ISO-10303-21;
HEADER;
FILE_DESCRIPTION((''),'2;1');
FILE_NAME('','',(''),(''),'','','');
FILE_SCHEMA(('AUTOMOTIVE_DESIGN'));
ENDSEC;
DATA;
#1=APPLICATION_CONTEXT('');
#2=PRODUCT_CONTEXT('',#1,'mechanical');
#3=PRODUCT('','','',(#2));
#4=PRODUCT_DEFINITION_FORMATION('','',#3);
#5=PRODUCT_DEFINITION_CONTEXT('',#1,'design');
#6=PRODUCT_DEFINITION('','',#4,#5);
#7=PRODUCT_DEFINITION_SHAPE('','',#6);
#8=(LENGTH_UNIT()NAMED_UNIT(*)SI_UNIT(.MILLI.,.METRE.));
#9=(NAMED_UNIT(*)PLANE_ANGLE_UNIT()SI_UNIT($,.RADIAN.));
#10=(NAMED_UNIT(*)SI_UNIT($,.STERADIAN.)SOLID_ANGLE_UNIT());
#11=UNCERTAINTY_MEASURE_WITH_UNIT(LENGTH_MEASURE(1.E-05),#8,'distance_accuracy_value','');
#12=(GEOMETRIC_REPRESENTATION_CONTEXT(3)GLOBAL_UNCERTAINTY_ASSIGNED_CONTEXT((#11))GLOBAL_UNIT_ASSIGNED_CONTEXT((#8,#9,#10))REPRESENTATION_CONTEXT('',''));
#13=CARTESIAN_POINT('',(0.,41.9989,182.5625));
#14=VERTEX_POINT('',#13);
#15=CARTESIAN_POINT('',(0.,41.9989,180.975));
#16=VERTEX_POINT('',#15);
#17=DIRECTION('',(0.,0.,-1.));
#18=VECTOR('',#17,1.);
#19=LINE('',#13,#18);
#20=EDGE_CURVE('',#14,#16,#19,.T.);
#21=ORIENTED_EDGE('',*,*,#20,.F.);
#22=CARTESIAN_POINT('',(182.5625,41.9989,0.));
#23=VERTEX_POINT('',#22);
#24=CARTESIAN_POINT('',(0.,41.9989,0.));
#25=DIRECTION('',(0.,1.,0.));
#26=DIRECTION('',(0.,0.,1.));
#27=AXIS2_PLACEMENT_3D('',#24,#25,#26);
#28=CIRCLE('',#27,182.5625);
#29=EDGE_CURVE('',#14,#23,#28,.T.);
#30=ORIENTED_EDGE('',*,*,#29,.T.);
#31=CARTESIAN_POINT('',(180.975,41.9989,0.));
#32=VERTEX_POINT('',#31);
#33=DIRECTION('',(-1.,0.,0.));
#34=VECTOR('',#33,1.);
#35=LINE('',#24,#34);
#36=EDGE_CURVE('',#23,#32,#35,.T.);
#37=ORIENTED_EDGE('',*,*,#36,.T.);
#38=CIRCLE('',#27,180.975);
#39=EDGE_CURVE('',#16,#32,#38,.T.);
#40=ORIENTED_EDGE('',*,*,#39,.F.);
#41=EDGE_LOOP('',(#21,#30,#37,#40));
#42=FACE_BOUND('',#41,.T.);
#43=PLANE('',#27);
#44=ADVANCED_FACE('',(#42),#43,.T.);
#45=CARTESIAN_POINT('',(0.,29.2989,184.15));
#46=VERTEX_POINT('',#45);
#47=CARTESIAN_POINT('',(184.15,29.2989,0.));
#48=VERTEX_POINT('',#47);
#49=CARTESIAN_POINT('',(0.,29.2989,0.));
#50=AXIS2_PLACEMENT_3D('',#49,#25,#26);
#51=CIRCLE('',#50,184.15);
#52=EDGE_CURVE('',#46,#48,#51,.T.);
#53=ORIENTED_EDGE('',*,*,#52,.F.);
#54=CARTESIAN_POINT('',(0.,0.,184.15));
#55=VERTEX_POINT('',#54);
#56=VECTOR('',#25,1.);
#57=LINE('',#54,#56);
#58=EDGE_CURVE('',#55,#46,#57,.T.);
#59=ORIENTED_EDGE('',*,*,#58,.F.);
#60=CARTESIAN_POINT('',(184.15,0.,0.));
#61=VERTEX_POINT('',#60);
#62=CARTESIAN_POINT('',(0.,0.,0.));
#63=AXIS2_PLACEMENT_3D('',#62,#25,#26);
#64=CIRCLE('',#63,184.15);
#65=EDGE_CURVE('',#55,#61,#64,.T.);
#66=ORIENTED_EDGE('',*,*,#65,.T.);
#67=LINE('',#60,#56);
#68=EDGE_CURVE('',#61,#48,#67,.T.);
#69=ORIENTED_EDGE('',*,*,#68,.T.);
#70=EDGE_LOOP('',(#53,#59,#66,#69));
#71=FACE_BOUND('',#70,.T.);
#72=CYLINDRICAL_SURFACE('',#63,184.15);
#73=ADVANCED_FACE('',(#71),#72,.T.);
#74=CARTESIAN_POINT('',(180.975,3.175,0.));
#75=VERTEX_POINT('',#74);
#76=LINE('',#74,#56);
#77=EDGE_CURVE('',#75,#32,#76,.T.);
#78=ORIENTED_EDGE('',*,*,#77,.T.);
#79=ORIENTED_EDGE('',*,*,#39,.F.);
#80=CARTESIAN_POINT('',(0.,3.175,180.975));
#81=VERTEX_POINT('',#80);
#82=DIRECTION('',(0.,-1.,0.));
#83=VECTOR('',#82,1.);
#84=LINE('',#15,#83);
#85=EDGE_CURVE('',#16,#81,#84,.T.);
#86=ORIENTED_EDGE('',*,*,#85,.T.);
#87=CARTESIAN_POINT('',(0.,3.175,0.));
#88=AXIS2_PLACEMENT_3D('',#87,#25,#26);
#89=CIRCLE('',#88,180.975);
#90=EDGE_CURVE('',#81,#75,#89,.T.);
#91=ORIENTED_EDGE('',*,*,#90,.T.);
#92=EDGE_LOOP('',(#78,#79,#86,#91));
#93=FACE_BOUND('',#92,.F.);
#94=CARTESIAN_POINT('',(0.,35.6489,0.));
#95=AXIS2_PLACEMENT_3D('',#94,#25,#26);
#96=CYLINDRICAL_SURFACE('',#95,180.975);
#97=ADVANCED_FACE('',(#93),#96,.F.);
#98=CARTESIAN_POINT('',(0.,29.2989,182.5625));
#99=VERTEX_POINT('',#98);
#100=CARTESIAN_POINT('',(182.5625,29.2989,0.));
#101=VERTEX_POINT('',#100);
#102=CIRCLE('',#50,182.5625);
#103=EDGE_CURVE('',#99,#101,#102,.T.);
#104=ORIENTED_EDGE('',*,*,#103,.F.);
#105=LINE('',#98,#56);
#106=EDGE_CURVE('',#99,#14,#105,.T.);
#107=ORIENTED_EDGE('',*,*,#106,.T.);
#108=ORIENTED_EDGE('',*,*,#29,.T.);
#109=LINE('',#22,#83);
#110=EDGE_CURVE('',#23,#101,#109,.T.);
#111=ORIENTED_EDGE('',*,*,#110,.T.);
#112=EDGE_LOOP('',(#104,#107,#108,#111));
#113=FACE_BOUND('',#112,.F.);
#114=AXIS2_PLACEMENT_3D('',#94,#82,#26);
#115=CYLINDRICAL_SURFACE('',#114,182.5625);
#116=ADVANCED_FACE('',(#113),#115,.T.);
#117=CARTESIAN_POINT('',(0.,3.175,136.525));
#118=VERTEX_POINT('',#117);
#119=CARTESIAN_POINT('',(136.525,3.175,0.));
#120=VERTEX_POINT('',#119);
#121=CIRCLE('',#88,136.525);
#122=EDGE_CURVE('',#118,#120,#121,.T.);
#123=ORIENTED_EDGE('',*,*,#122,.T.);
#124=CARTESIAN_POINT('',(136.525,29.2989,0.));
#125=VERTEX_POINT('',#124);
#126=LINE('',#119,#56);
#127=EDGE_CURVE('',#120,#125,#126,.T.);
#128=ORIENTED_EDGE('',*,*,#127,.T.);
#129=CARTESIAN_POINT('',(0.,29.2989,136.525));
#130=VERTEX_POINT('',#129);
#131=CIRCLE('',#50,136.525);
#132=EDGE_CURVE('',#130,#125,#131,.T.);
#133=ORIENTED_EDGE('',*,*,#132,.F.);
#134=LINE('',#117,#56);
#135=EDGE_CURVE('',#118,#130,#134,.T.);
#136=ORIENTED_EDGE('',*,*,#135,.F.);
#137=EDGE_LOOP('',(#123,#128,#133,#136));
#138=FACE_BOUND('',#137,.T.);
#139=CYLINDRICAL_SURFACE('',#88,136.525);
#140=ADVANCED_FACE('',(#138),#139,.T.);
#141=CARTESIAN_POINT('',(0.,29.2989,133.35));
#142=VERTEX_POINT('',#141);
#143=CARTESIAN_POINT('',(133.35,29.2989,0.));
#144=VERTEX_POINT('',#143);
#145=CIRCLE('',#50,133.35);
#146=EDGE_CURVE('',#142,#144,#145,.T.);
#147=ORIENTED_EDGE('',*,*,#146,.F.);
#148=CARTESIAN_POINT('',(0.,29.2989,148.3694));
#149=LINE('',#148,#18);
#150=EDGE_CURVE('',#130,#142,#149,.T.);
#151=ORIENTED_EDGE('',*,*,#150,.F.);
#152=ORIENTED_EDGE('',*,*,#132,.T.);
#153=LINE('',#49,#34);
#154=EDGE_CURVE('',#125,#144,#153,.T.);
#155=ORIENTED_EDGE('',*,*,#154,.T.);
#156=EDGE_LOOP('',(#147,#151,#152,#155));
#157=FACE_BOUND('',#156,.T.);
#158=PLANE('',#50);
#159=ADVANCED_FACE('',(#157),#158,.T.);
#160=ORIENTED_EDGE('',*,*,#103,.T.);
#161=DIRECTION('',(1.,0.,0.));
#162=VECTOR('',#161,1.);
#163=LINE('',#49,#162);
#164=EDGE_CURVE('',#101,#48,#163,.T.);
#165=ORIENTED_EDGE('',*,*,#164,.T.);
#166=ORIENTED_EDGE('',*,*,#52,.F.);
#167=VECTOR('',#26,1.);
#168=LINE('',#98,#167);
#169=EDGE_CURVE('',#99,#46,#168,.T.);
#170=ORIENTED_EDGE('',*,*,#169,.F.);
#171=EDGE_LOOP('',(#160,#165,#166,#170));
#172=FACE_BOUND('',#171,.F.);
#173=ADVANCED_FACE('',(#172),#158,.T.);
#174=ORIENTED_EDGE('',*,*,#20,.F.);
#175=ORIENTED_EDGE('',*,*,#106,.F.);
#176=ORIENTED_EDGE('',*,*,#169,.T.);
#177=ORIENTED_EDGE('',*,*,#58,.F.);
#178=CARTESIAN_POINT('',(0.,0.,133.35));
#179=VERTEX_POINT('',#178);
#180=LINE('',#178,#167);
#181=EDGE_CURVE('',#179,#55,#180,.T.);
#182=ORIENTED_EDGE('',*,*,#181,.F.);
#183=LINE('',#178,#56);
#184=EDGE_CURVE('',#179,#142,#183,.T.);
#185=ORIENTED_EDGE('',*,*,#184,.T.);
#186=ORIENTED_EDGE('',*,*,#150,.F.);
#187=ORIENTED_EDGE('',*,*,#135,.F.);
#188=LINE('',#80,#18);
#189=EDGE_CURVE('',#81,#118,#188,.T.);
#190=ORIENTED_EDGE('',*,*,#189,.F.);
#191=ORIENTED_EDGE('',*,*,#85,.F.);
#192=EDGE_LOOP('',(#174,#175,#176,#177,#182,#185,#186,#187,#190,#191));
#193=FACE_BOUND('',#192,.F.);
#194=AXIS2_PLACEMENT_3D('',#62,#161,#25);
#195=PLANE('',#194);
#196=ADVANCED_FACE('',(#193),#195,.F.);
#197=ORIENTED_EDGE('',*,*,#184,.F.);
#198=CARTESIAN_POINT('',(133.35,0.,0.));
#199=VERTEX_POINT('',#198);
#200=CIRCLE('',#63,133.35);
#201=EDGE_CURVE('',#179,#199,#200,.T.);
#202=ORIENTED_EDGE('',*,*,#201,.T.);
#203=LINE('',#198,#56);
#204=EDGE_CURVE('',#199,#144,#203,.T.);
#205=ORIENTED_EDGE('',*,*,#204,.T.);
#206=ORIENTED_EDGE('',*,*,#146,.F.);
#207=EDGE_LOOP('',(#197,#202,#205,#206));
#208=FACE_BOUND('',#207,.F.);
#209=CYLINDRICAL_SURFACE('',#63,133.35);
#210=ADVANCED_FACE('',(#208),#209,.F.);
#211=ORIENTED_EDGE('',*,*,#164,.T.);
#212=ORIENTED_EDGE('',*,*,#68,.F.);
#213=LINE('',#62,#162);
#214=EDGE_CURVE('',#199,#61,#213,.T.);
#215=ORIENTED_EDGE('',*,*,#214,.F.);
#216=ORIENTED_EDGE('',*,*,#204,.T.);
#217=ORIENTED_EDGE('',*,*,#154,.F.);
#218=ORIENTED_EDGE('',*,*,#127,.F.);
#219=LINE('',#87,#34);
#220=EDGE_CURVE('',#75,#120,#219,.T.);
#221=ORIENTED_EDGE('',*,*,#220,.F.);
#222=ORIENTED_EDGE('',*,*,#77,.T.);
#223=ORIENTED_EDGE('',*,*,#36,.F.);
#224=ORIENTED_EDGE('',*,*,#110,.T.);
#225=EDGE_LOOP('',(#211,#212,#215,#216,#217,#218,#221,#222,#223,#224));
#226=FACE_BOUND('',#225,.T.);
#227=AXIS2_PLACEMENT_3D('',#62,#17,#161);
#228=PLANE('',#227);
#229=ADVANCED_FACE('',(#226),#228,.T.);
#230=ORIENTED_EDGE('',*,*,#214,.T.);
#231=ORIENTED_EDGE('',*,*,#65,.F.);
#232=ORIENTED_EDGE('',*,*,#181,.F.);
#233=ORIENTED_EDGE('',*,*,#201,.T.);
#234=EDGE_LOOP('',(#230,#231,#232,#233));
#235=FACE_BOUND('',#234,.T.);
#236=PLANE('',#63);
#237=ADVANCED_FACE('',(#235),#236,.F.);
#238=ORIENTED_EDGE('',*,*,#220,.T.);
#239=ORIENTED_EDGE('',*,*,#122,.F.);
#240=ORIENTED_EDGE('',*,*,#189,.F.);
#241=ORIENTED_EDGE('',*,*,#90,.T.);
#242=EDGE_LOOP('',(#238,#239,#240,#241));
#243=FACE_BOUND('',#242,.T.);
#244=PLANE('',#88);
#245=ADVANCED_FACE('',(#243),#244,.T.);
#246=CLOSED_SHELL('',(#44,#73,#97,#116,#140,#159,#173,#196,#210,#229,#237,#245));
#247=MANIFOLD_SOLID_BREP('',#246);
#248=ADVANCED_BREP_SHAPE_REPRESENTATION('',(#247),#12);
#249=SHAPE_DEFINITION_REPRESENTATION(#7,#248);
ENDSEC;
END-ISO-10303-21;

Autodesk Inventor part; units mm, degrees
ref_plane "YZ Plane" through (0, 0, 0) normal (1, 0, 0) x (0, 1, 0)
ref_plane "XZ Plane" through (0, 0, 0) normal (0, 1, 0) x (-1, 0, 0)
ref_plane "XY Plane" through (0, 0, 0) normal (0, 0, 1) x (1, 0, 0)
sketch "Sketch1" plane through (0, 0, 0) normal (1, 0, 0) x (0, 1, 0)
  line L0 (0, 0) -> (50.8, 0)
  line L1 (0, 133.35) -> (0, 184.15)
  line L2 (0, 184.15) -> (29.2989, 184.15)
  line L3 (73.025, 184.15) -> (73.025, 133.35)
  line L4 (3.175, 180.975) -> (3.175, 136.525)
  line L5 (69.85, 136.525) -> (69.85, 180.975)
  line L6 (29.2989, 148.3694) -> (29.2989, 120.4477)
  line L7 (41.9989, 148.9666) -> (41.9989, 122.6874)
  line L8 (0, 133.35) -> (29.2989, 133.35)
  line L9 (41.9989, 133.35) -> (73.025, 133.35)
  line L10 (3.175, 136.525) -> (29.2989, 136.525)
  line L11 (41.9989, 136.525) -> (69.85, 136.525)
  line L12 (35.6489, 182.5625) -> (41.9989, 182.5625)
  line L13 (41.9989, 182.5625) -> (41.9989, 180.975)
  line L14 (35.6489, 182.5625) -> (29.2989, 182.5625)
  line L15 (29.2989, 182.5625) -> (29.2989, 184.15)
  line L16 (69.85, 180.975) -> (41.9989, 180.975)
  line L17 (35.6489, 180.975) -> (3.175, 180.975)
  line L18 (35.6489, 170.617) -> (35.6489, 180.975)
  line L19 (35.6489, 184.15) -> (35.6489, 201.7381)
  line L20 (35.6489, 180.975) -> (41.9989, 180.975)
  point P0 (3.175, 180.975)
  point P1 (69.85, 136.525)
  dimension "d0" = 50.8
  dimension "d3" = 50.8
  dimension "d4" = 73.025
  dimension "d5" = 3.175
  dimension "d6" = 3.175
  dimension "d7" = 3.175
  dimension "d8" = 3.175
  dimension "d9" = 3.175
  dimension "d11" = 3.175
  dimension "d13" = 26.1239
  dimension "d14" = 12.7
  dimension "d16" = 133.35
  dimension "d17" = 3.175
  dimension "d18" = 3.175
  dimension "d19" = 6.35
  dimension "d21" = 6.35
  dimension "d22" = 6.35
revolve "Revolution1" add sketch "Sketch1" angle 180 about axis through (0, 0, 0) along (0, 1, 0)
sketch "Sketch2" plane through (0, 0, 133.35) normal (0, -1, 0) x (1, 0, 0)
  line L0 (0, -133.35) -> (197.7454, -133.35)
  line L1 (197.7454, -133.35) -> (197.7454, -342.2428)
  line L2 (197.7454, -342.2428) -> (0, -342.2428)
  line L3 (0, -342.2428) -> (0, -133.35)
extrude "Extrusion1" cut sketch "Sketch2" against normal through all
properties part number "Outer_Shell_Bottom_Quarter"
